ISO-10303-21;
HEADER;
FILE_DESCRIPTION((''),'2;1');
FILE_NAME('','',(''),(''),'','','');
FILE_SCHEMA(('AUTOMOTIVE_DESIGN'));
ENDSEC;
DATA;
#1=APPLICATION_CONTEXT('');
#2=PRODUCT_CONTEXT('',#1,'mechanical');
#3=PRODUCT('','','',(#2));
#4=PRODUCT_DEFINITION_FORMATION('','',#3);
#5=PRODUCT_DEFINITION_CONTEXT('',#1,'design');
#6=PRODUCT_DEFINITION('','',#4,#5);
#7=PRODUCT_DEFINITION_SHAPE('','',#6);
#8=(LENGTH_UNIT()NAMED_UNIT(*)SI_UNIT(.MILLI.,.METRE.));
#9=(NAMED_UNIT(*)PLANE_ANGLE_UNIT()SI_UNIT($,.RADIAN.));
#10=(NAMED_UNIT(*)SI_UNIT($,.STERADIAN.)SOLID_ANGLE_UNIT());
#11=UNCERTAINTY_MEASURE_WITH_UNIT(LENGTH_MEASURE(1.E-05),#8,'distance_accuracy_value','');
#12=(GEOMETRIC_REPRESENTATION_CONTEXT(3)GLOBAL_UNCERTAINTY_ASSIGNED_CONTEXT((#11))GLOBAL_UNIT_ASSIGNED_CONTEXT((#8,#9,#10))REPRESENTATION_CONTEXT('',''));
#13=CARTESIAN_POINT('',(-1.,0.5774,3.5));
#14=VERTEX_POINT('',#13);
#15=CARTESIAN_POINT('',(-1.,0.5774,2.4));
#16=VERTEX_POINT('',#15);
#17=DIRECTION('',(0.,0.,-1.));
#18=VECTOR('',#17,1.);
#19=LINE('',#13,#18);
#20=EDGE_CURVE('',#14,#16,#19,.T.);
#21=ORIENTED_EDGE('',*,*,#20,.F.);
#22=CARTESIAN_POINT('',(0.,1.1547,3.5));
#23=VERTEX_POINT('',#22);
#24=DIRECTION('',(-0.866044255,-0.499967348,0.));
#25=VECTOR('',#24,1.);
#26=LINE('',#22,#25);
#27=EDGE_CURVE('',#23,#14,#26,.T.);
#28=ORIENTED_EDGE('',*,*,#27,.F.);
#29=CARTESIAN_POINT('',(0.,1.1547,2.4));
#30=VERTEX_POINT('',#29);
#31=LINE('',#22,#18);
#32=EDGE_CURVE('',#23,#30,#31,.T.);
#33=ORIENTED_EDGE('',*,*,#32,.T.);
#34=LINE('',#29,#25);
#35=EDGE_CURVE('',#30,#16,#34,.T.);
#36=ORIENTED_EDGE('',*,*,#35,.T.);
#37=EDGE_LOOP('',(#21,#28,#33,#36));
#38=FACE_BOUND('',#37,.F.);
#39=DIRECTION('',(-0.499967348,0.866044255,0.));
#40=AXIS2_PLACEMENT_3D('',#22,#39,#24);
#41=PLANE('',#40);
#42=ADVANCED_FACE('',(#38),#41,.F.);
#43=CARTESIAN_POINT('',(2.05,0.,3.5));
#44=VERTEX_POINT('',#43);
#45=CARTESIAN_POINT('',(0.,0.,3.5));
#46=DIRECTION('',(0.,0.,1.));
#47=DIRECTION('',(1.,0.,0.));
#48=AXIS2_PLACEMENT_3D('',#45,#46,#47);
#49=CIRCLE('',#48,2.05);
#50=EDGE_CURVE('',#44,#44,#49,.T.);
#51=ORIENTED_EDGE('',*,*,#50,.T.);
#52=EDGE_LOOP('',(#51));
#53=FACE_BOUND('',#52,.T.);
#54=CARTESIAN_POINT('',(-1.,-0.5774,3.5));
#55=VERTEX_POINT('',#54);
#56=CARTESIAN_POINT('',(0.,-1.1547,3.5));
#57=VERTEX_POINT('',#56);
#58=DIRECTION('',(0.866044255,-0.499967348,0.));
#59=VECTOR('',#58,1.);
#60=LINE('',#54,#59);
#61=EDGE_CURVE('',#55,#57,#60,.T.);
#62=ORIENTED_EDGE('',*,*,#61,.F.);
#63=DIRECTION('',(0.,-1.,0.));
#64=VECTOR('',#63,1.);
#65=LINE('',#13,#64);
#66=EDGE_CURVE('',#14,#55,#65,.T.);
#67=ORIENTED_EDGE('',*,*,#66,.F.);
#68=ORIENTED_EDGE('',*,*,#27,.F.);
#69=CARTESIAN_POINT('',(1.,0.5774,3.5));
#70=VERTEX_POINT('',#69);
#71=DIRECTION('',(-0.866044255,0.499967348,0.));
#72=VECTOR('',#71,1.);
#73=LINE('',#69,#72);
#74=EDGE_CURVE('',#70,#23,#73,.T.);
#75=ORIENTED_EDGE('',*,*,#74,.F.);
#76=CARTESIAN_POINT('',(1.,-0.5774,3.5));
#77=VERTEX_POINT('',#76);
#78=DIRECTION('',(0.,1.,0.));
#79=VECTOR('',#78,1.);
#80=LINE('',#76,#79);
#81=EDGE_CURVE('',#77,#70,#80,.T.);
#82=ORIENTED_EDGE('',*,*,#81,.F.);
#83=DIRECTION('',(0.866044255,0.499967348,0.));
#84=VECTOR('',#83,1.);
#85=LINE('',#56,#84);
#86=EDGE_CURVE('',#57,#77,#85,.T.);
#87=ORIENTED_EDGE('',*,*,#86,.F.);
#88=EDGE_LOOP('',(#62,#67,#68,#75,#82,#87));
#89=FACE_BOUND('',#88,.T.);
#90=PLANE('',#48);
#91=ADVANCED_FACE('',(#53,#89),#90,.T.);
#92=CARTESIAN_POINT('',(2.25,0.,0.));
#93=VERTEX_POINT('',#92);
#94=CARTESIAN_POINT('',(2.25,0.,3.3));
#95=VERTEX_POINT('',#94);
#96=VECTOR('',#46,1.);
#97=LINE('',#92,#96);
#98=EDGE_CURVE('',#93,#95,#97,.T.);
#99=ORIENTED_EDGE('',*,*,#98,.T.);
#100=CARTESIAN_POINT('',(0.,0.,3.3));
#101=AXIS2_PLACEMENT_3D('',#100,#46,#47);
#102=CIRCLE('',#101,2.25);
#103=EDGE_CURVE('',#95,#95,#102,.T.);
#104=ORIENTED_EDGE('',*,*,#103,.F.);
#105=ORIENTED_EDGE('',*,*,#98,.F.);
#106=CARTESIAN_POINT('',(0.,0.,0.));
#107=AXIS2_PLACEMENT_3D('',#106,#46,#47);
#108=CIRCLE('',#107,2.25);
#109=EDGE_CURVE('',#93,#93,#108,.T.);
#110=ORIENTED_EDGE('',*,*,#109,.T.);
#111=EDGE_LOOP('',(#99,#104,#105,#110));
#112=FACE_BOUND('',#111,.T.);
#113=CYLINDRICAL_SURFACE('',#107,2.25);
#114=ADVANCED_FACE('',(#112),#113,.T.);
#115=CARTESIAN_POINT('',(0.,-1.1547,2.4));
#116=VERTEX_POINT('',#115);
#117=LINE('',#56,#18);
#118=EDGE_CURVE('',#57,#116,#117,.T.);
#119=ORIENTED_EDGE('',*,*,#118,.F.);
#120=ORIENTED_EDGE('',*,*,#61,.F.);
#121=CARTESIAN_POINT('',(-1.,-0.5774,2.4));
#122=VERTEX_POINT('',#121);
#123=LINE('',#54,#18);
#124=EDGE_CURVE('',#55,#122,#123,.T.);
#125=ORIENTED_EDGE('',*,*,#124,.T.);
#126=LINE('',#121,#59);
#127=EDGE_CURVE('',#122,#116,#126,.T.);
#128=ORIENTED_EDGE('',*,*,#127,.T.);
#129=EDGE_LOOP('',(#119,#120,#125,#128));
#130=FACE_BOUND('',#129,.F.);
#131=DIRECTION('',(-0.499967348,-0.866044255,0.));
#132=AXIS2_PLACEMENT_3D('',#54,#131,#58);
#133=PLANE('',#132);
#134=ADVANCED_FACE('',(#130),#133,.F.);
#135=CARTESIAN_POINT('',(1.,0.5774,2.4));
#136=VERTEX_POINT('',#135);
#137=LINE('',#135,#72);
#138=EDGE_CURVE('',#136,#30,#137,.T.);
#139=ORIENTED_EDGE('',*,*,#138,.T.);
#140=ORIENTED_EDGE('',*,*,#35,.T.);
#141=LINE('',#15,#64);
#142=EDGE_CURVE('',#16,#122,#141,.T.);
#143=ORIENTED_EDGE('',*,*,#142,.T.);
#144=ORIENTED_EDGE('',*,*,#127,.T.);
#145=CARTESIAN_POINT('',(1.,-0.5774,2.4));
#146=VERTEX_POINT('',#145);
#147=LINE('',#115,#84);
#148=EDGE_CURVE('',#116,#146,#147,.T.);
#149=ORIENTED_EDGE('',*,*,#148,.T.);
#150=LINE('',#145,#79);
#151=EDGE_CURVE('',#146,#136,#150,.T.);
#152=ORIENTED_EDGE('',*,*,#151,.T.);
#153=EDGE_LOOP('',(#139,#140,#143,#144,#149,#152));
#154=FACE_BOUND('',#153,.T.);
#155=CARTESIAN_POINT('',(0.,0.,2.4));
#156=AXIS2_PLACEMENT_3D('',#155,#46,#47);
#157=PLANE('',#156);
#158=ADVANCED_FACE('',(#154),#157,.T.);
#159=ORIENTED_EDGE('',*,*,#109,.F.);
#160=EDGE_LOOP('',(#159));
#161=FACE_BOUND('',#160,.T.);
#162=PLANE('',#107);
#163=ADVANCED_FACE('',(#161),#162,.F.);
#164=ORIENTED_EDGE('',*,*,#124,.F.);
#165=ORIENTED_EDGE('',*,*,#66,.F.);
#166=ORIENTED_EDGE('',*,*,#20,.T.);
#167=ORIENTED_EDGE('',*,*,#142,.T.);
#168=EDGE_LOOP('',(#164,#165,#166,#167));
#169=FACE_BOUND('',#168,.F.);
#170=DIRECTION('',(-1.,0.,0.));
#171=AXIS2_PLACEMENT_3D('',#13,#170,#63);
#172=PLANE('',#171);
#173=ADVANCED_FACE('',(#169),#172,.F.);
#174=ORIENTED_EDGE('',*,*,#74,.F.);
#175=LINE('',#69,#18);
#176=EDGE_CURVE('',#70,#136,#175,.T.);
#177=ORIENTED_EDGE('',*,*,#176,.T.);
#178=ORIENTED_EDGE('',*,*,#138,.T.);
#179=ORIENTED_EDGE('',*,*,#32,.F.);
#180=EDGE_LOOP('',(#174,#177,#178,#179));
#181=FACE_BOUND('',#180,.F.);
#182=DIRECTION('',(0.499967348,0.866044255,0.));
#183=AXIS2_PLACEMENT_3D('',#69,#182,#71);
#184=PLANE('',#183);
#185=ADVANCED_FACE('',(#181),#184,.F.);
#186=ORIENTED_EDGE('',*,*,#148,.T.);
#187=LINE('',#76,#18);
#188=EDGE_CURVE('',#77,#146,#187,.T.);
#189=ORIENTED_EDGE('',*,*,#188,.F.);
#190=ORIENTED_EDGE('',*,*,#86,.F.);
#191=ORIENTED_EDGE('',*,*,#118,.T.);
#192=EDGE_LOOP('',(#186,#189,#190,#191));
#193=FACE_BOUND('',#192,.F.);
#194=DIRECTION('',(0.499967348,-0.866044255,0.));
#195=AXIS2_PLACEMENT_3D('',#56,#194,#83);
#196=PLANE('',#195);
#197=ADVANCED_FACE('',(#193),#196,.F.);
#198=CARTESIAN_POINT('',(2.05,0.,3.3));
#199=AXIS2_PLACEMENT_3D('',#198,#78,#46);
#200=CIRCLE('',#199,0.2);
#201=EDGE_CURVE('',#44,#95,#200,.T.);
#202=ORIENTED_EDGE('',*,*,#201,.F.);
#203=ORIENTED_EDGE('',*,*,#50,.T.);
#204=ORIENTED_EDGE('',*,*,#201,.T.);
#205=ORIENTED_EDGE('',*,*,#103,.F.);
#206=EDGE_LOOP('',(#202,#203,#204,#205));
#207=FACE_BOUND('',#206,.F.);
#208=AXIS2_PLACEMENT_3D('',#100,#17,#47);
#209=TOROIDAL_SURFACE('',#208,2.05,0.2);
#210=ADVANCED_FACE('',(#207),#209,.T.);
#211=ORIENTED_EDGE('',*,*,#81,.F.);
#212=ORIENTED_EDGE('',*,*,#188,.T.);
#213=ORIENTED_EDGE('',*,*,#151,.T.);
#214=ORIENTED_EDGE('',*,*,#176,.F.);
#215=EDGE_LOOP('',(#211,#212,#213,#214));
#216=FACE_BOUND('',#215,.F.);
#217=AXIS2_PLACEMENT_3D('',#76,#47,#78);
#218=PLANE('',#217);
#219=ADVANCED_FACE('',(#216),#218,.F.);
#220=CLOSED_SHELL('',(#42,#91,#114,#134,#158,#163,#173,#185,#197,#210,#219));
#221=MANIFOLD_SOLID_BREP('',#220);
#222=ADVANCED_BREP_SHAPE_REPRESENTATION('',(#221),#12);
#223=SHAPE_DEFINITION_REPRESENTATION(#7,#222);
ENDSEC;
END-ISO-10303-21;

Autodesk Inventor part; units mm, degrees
sketch "Sketch_1" plane through (0, 0, 0) normal (0, 1, 0) x (-1, 0, 0)
  line L0 (0, 3.5) -> (0, 0)
  line L1 (0, 0) -> (-2.25, 0)
  line L2 (-2.25, 0) -> (-2.25, 3.3)
  arc A0 (-2.05, 3.5) -> (-2.25, 3.3) centre (-2.05, 3.3) ccw
  line L3 (-2.05, 3.5) -> (0, 3.5)
  line L4 (0, 3.5) -> (0, 0)
revolve "Revolution1" add sketch "Sketch_1" angle 360 about axis through (0, 0, 3.5) along (0, 0, 1)
sketch "Sketch_3" plane through (0, 0, 3.5) normal (0, 0, 1) x (1, 0, 0)
  line L0 (-1, -0.5774) -> (0, -1.1547)
  line L1 (0, -1.1547) -> (1, -0.5774)
  line L2 (1, -0.5774) -> (1, 0.5774)
  line L3 (1, 0.5774) -> (0, 1.1547)
  line L4 (0, 1.1547) -> (-1, 0.5774)
  line L5 (-1, 0.5774) -> (-1, -0.5774)
extrude "Extrusion1" cut sketch "Sketch_3" against normal blind 1.1
ref_plane "hal_XY" through (0, 0, 0) normal (0, 0, 1) x (1, 0, 0)
ref_plane "hal_YZ" through (0, 0, 0) normal (1, 0, 0) x (0, 1, 0)
ref_plane "hal_ZX" through (0, 0, 0) normal (0, 1, 0) x (0, 0, 1)
properties part number "SCHUNK-9965221-Scheibe D4_5"
